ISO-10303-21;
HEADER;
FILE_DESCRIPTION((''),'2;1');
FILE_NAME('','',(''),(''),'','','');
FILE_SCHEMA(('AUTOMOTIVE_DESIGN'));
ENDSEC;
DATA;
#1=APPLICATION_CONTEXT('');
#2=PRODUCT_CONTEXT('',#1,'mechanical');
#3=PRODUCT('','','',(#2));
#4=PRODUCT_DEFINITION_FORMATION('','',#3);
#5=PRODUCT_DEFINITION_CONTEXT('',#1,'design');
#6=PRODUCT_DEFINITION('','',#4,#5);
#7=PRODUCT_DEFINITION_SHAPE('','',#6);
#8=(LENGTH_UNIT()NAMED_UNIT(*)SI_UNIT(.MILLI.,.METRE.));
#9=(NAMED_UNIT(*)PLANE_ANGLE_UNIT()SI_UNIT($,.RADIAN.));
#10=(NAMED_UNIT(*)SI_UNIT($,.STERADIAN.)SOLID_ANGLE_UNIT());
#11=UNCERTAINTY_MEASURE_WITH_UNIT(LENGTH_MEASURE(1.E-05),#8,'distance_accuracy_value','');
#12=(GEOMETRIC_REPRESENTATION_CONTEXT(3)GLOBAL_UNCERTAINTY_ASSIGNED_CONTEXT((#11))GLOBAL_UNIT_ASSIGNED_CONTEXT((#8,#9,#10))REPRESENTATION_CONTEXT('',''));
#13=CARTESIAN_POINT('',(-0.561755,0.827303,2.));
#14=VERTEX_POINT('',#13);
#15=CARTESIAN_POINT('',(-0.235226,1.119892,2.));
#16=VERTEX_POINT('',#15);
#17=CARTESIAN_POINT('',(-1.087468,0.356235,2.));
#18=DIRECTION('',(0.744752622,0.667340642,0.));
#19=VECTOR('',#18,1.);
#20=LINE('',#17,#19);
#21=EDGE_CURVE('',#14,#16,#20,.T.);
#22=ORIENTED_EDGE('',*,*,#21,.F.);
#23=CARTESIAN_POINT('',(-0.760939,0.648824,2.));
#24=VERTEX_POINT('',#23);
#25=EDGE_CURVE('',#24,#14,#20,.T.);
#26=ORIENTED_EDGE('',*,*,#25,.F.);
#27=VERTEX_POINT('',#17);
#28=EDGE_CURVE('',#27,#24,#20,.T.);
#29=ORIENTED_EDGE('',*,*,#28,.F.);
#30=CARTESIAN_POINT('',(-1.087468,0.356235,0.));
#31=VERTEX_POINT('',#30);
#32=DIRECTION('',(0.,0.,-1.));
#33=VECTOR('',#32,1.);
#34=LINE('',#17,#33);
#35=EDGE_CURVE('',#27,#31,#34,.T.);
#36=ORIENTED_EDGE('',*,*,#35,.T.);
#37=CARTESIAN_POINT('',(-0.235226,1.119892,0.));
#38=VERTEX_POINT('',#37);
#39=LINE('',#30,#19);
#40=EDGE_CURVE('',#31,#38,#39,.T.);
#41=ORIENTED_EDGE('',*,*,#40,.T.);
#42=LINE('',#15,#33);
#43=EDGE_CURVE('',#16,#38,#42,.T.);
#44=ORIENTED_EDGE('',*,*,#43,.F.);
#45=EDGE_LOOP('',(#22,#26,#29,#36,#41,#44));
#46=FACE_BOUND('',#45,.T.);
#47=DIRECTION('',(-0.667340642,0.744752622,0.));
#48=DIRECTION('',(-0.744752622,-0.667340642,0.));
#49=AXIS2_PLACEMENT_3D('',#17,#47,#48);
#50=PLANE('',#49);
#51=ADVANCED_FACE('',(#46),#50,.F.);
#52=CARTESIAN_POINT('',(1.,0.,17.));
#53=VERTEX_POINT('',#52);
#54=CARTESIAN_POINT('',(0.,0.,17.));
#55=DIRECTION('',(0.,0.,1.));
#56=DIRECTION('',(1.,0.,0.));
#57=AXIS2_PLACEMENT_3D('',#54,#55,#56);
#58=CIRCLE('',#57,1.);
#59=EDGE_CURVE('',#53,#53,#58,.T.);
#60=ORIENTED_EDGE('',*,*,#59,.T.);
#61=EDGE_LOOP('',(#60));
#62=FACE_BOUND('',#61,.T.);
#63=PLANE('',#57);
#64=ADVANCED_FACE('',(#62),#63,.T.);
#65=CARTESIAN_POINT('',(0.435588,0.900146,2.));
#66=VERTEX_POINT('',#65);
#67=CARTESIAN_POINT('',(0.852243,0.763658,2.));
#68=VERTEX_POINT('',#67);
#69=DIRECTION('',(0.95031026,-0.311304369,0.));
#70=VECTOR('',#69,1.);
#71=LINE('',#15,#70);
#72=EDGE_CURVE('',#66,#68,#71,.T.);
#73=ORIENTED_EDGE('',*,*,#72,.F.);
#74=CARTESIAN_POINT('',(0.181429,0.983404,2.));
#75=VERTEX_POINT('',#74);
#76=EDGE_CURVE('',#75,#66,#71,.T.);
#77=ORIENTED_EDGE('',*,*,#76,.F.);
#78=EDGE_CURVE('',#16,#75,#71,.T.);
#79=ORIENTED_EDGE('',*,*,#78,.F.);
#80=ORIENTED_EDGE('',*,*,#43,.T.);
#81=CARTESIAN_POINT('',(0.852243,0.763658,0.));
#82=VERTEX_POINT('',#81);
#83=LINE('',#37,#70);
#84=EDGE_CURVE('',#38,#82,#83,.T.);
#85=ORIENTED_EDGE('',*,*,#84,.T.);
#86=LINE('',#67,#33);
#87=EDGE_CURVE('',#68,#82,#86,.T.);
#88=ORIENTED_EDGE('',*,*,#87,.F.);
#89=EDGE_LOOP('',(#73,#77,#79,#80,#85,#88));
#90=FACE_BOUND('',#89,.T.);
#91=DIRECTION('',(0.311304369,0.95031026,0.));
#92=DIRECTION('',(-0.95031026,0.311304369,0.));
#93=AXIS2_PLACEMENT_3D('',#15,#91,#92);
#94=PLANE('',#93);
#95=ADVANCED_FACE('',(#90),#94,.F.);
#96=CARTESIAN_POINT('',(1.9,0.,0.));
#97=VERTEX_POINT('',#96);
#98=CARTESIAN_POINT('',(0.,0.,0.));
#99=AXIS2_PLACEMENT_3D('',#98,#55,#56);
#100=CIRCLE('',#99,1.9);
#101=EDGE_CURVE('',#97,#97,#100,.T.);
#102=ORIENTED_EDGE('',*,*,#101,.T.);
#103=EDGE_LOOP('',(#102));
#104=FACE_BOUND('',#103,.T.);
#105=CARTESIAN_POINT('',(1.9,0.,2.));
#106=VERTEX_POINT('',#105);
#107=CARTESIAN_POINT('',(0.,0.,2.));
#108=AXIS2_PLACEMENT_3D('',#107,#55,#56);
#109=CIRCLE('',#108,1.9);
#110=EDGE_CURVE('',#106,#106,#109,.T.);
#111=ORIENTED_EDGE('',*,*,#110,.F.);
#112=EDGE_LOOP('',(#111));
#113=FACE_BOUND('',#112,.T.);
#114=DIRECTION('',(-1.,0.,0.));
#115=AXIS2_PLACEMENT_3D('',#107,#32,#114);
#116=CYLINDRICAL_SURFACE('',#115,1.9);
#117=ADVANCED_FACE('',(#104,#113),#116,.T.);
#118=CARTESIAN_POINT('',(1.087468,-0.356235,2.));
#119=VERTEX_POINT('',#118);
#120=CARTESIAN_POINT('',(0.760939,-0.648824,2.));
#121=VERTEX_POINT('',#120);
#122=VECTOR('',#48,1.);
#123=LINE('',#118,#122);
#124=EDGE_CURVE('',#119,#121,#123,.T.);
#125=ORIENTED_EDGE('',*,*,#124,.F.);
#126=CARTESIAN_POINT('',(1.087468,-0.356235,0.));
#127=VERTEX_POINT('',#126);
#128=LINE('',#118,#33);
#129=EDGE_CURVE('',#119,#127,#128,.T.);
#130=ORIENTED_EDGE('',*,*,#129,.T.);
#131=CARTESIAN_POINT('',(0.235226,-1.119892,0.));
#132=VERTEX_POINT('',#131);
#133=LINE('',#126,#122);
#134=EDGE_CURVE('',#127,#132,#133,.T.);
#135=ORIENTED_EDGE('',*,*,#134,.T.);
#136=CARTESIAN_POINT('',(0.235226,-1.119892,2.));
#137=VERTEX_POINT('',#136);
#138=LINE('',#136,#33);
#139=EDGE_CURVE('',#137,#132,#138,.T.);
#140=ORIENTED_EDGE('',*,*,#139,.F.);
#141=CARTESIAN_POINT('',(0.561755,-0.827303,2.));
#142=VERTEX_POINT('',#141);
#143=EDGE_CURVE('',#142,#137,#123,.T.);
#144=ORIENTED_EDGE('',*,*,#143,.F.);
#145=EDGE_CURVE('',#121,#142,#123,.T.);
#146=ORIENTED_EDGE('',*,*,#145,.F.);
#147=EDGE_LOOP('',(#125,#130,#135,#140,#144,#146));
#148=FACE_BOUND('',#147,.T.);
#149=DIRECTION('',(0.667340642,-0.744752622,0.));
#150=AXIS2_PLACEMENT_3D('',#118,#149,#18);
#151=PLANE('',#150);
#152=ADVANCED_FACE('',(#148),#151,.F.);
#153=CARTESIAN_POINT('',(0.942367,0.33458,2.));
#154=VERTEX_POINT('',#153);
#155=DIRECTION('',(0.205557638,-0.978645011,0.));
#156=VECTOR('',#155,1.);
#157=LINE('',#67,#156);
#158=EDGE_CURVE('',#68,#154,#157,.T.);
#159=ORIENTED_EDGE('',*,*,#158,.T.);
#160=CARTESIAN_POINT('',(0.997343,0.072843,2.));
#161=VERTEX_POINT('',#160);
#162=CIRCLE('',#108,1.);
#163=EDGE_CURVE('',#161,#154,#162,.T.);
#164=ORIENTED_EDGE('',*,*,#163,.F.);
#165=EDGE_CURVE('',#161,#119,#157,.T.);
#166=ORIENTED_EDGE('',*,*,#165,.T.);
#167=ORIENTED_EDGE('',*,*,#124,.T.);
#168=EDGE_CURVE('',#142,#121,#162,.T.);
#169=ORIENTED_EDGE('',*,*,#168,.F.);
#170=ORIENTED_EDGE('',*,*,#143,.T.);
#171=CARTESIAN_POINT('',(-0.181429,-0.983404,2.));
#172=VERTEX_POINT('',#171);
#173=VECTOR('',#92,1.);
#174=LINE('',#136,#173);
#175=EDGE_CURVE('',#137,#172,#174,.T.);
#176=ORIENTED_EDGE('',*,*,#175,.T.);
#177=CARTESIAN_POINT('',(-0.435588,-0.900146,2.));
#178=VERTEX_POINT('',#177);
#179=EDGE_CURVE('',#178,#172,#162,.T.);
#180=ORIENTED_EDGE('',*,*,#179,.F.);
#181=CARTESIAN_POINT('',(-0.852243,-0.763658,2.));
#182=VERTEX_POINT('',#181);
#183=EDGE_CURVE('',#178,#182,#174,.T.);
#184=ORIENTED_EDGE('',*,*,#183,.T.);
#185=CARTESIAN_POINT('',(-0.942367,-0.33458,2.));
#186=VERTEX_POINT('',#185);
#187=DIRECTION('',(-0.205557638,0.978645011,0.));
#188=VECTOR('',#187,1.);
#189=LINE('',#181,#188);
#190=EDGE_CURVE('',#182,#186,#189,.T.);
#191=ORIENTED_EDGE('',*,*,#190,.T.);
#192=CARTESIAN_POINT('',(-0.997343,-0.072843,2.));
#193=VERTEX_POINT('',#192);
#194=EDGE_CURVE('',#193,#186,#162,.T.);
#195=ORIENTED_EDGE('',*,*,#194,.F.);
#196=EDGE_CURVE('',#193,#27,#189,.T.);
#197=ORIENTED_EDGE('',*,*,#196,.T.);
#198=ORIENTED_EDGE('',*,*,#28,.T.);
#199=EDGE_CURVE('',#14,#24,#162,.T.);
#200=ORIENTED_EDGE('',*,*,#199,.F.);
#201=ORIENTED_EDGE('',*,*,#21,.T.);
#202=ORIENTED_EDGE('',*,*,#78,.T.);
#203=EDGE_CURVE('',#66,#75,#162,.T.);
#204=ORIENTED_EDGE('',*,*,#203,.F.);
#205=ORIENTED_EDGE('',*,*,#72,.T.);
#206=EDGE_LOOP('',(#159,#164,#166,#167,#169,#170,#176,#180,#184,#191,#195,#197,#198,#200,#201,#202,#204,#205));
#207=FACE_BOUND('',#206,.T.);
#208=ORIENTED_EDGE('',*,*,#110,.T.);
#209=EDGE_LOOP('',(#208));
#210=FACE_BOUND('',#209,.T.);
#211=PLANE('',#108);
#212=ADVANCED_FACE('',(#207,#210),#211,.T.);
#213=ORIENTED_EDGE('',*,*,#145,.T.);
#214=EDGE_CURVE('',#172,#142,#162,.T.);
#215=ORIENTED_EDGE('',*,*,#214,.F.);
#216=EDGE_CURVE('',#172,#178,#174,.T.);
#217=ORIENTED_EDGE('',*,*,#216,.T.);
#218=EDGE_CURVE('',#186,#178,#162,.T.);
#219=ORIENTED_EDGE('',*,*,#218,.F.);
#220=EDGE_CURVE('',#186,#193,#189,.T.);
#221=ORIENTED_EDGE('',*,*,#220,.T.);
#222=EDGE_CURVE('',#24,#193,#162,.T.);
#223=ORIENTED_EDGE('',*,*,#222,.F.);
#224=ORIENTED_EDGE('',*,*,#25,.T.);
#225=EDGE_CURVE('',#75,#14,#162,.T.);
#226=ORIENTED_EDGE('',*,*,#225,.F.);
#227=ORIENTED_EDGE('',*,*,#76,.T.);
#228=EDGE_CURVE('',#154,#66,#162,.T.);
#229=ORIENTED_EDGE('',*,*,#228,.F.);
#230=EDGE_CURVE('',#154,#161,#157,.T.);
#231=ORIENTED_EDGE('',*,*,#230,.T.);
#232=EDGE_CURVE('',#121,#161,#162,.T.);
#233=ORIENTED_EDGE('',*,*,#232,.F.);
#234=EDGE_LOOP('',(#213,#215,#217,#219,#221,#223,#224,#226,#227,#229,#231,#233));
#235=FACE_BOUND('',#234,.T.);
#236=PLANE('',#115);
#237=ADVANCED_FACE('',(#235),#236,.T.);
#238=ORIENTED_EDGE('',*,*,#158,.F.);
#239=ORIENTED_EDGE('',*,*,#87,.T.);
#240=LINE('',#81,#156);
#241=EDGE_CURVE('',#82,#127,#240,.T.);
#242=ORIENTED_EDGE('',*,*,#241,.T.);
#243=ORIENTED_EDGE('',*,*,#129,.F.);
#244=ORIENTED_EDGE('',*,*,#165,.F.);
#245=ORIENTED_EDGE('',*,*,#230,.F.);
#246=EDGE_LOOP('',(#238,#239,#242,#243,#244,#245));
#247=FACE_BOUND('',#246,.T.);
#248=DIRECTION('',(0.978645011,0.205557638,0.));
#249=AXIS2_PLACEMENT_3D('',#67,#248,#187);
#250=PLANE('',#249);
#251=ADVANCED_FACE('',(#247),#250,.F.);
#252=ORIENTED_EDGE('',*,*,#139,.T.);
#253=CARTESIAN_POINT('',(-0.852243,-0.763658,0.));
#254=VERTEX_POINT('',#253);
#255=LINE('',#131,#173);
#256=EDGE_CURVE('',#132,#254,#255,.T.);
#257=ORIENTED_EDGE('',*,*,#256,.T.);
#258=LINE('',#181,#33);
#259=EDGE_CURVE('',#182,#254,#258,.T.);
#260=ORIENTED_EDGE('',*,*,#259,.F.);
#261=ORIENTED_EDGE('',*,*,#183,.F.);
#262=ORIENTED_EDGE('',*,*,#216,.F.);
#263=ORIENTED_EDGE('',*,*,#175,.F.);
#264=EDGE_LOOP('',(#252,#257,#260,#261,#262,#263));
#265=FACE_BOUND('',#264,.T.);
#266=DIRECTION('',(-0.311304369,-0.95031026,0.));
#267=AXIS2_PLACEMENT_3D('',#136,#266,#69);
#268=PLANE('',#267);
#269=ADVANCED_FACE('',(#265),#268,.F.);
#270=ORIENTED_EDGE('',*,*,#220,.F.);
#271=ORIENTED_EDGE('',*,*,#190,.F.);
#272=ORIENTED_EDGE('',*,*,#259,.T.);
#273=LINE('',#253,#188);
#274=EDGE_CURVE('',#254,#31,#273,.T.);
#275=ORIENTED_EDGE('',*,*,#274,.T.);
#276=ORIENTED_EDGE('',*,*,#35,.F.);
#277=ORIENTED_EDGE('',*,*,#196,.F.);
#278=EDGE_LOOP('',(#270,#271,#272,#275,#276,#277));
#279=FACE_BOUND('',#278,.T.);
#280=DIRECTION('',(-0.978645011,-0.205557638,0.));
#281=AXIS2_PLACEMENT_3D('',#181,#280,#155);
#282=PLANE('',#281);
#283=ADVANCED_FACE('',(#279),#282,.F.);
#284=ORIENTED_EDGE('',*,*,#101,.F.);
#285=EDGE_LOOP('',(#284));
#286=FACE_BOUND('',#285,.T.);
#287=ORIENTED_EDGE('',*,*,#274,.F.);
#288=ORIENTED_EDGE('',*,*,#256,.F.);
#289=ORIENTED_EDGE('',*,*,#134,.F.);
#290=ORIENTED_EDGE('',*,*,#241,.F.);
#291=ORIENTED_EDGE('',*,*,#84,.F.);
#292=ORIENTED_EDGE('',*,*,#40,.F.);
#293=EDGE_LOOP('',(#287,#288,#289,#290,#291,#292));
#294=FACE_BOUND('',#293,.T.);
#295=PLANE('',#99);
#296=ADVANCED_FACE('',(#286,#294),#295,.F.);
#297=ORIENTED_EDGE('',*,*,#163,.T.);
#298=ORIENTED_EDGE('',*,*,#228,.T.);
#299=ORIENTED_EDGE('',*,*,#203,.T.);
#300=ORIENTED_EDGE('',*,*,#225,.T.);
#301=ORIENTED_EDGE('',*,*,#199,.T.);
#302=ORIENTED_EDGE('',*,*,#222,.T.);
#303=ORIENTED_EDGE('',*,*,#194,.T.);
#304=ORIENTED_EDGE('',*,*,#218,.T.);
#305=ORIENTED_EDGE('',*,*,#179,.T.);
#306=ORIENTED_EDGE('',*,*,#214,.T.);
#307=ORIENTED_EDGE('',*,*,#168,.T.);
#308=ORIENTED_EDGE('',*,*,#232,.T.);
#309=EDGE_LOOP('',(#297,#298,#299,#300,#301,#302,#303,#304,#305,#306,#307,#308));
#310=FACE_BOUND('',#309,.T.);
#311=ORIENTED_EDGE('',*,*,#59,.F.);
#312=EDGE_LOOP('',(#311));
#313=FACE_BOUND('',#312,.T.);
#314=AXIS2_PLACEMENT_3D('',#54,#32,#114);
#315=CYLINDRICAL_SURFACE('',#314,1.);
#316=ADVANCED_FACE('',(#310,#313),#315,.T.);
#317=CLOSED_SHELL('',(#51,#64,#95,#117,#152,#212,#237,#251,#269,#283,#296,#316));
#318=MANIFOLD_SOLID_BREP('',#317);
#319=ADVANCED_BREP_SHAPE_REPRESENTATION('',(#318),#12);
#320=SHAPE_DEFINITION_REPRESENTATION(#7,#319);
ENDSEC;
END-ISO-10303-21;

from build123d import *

# Parameters (mm, degrees)
SKETCH_1_R          = 1.9
EXTRUDE_1_DEPTH     = 2
SKETCH_2_R          = 1
EXTRUDE_2_DEPTH     = 15
CUT_EXTRUDE_1_DEPTH = 2


with BuildPart() as part:
    # ｽｹｯﾁ1 → ﾎﾞｽ - 押し出し1 (new body)
    with BuildSketch(Plane.XY):
        Circle(SKETCH_1_R)
    extrude(amount=EXTRUDE_1_DEPTH)

    # ｽｹｯﾁ2 → ﾎﾞｽ - 押し出し2 (add)
    with BuildSketch(Plane.XY.offset(2)):
        Circle(SKETCH_2_R)
    extrude(amount=EXTRUDE_2_DEPTH)

    # ｽｹｯﾁ3 → ｶｯﾄ - 押し出し1 (cut)
    with BuildSketch(Plane(origin=(0, 0, 0), x_dir=(-1, 0, 0), z_dir=(0, 0, -1))):
        Polygon((0.852242502, -0.763657679), (1.087468201, 0.356234818), (0.235225699, 1.119892496), (-0.852242502, 0.763657679), (-1.087468201, -0.356234818), (-0.235225699, -1.119892496), align=None)
    extrude(amount=-CUT_EXTRUDE_1_DEPTH, mode=Mode.SUBTRACT)


solid = part.part
